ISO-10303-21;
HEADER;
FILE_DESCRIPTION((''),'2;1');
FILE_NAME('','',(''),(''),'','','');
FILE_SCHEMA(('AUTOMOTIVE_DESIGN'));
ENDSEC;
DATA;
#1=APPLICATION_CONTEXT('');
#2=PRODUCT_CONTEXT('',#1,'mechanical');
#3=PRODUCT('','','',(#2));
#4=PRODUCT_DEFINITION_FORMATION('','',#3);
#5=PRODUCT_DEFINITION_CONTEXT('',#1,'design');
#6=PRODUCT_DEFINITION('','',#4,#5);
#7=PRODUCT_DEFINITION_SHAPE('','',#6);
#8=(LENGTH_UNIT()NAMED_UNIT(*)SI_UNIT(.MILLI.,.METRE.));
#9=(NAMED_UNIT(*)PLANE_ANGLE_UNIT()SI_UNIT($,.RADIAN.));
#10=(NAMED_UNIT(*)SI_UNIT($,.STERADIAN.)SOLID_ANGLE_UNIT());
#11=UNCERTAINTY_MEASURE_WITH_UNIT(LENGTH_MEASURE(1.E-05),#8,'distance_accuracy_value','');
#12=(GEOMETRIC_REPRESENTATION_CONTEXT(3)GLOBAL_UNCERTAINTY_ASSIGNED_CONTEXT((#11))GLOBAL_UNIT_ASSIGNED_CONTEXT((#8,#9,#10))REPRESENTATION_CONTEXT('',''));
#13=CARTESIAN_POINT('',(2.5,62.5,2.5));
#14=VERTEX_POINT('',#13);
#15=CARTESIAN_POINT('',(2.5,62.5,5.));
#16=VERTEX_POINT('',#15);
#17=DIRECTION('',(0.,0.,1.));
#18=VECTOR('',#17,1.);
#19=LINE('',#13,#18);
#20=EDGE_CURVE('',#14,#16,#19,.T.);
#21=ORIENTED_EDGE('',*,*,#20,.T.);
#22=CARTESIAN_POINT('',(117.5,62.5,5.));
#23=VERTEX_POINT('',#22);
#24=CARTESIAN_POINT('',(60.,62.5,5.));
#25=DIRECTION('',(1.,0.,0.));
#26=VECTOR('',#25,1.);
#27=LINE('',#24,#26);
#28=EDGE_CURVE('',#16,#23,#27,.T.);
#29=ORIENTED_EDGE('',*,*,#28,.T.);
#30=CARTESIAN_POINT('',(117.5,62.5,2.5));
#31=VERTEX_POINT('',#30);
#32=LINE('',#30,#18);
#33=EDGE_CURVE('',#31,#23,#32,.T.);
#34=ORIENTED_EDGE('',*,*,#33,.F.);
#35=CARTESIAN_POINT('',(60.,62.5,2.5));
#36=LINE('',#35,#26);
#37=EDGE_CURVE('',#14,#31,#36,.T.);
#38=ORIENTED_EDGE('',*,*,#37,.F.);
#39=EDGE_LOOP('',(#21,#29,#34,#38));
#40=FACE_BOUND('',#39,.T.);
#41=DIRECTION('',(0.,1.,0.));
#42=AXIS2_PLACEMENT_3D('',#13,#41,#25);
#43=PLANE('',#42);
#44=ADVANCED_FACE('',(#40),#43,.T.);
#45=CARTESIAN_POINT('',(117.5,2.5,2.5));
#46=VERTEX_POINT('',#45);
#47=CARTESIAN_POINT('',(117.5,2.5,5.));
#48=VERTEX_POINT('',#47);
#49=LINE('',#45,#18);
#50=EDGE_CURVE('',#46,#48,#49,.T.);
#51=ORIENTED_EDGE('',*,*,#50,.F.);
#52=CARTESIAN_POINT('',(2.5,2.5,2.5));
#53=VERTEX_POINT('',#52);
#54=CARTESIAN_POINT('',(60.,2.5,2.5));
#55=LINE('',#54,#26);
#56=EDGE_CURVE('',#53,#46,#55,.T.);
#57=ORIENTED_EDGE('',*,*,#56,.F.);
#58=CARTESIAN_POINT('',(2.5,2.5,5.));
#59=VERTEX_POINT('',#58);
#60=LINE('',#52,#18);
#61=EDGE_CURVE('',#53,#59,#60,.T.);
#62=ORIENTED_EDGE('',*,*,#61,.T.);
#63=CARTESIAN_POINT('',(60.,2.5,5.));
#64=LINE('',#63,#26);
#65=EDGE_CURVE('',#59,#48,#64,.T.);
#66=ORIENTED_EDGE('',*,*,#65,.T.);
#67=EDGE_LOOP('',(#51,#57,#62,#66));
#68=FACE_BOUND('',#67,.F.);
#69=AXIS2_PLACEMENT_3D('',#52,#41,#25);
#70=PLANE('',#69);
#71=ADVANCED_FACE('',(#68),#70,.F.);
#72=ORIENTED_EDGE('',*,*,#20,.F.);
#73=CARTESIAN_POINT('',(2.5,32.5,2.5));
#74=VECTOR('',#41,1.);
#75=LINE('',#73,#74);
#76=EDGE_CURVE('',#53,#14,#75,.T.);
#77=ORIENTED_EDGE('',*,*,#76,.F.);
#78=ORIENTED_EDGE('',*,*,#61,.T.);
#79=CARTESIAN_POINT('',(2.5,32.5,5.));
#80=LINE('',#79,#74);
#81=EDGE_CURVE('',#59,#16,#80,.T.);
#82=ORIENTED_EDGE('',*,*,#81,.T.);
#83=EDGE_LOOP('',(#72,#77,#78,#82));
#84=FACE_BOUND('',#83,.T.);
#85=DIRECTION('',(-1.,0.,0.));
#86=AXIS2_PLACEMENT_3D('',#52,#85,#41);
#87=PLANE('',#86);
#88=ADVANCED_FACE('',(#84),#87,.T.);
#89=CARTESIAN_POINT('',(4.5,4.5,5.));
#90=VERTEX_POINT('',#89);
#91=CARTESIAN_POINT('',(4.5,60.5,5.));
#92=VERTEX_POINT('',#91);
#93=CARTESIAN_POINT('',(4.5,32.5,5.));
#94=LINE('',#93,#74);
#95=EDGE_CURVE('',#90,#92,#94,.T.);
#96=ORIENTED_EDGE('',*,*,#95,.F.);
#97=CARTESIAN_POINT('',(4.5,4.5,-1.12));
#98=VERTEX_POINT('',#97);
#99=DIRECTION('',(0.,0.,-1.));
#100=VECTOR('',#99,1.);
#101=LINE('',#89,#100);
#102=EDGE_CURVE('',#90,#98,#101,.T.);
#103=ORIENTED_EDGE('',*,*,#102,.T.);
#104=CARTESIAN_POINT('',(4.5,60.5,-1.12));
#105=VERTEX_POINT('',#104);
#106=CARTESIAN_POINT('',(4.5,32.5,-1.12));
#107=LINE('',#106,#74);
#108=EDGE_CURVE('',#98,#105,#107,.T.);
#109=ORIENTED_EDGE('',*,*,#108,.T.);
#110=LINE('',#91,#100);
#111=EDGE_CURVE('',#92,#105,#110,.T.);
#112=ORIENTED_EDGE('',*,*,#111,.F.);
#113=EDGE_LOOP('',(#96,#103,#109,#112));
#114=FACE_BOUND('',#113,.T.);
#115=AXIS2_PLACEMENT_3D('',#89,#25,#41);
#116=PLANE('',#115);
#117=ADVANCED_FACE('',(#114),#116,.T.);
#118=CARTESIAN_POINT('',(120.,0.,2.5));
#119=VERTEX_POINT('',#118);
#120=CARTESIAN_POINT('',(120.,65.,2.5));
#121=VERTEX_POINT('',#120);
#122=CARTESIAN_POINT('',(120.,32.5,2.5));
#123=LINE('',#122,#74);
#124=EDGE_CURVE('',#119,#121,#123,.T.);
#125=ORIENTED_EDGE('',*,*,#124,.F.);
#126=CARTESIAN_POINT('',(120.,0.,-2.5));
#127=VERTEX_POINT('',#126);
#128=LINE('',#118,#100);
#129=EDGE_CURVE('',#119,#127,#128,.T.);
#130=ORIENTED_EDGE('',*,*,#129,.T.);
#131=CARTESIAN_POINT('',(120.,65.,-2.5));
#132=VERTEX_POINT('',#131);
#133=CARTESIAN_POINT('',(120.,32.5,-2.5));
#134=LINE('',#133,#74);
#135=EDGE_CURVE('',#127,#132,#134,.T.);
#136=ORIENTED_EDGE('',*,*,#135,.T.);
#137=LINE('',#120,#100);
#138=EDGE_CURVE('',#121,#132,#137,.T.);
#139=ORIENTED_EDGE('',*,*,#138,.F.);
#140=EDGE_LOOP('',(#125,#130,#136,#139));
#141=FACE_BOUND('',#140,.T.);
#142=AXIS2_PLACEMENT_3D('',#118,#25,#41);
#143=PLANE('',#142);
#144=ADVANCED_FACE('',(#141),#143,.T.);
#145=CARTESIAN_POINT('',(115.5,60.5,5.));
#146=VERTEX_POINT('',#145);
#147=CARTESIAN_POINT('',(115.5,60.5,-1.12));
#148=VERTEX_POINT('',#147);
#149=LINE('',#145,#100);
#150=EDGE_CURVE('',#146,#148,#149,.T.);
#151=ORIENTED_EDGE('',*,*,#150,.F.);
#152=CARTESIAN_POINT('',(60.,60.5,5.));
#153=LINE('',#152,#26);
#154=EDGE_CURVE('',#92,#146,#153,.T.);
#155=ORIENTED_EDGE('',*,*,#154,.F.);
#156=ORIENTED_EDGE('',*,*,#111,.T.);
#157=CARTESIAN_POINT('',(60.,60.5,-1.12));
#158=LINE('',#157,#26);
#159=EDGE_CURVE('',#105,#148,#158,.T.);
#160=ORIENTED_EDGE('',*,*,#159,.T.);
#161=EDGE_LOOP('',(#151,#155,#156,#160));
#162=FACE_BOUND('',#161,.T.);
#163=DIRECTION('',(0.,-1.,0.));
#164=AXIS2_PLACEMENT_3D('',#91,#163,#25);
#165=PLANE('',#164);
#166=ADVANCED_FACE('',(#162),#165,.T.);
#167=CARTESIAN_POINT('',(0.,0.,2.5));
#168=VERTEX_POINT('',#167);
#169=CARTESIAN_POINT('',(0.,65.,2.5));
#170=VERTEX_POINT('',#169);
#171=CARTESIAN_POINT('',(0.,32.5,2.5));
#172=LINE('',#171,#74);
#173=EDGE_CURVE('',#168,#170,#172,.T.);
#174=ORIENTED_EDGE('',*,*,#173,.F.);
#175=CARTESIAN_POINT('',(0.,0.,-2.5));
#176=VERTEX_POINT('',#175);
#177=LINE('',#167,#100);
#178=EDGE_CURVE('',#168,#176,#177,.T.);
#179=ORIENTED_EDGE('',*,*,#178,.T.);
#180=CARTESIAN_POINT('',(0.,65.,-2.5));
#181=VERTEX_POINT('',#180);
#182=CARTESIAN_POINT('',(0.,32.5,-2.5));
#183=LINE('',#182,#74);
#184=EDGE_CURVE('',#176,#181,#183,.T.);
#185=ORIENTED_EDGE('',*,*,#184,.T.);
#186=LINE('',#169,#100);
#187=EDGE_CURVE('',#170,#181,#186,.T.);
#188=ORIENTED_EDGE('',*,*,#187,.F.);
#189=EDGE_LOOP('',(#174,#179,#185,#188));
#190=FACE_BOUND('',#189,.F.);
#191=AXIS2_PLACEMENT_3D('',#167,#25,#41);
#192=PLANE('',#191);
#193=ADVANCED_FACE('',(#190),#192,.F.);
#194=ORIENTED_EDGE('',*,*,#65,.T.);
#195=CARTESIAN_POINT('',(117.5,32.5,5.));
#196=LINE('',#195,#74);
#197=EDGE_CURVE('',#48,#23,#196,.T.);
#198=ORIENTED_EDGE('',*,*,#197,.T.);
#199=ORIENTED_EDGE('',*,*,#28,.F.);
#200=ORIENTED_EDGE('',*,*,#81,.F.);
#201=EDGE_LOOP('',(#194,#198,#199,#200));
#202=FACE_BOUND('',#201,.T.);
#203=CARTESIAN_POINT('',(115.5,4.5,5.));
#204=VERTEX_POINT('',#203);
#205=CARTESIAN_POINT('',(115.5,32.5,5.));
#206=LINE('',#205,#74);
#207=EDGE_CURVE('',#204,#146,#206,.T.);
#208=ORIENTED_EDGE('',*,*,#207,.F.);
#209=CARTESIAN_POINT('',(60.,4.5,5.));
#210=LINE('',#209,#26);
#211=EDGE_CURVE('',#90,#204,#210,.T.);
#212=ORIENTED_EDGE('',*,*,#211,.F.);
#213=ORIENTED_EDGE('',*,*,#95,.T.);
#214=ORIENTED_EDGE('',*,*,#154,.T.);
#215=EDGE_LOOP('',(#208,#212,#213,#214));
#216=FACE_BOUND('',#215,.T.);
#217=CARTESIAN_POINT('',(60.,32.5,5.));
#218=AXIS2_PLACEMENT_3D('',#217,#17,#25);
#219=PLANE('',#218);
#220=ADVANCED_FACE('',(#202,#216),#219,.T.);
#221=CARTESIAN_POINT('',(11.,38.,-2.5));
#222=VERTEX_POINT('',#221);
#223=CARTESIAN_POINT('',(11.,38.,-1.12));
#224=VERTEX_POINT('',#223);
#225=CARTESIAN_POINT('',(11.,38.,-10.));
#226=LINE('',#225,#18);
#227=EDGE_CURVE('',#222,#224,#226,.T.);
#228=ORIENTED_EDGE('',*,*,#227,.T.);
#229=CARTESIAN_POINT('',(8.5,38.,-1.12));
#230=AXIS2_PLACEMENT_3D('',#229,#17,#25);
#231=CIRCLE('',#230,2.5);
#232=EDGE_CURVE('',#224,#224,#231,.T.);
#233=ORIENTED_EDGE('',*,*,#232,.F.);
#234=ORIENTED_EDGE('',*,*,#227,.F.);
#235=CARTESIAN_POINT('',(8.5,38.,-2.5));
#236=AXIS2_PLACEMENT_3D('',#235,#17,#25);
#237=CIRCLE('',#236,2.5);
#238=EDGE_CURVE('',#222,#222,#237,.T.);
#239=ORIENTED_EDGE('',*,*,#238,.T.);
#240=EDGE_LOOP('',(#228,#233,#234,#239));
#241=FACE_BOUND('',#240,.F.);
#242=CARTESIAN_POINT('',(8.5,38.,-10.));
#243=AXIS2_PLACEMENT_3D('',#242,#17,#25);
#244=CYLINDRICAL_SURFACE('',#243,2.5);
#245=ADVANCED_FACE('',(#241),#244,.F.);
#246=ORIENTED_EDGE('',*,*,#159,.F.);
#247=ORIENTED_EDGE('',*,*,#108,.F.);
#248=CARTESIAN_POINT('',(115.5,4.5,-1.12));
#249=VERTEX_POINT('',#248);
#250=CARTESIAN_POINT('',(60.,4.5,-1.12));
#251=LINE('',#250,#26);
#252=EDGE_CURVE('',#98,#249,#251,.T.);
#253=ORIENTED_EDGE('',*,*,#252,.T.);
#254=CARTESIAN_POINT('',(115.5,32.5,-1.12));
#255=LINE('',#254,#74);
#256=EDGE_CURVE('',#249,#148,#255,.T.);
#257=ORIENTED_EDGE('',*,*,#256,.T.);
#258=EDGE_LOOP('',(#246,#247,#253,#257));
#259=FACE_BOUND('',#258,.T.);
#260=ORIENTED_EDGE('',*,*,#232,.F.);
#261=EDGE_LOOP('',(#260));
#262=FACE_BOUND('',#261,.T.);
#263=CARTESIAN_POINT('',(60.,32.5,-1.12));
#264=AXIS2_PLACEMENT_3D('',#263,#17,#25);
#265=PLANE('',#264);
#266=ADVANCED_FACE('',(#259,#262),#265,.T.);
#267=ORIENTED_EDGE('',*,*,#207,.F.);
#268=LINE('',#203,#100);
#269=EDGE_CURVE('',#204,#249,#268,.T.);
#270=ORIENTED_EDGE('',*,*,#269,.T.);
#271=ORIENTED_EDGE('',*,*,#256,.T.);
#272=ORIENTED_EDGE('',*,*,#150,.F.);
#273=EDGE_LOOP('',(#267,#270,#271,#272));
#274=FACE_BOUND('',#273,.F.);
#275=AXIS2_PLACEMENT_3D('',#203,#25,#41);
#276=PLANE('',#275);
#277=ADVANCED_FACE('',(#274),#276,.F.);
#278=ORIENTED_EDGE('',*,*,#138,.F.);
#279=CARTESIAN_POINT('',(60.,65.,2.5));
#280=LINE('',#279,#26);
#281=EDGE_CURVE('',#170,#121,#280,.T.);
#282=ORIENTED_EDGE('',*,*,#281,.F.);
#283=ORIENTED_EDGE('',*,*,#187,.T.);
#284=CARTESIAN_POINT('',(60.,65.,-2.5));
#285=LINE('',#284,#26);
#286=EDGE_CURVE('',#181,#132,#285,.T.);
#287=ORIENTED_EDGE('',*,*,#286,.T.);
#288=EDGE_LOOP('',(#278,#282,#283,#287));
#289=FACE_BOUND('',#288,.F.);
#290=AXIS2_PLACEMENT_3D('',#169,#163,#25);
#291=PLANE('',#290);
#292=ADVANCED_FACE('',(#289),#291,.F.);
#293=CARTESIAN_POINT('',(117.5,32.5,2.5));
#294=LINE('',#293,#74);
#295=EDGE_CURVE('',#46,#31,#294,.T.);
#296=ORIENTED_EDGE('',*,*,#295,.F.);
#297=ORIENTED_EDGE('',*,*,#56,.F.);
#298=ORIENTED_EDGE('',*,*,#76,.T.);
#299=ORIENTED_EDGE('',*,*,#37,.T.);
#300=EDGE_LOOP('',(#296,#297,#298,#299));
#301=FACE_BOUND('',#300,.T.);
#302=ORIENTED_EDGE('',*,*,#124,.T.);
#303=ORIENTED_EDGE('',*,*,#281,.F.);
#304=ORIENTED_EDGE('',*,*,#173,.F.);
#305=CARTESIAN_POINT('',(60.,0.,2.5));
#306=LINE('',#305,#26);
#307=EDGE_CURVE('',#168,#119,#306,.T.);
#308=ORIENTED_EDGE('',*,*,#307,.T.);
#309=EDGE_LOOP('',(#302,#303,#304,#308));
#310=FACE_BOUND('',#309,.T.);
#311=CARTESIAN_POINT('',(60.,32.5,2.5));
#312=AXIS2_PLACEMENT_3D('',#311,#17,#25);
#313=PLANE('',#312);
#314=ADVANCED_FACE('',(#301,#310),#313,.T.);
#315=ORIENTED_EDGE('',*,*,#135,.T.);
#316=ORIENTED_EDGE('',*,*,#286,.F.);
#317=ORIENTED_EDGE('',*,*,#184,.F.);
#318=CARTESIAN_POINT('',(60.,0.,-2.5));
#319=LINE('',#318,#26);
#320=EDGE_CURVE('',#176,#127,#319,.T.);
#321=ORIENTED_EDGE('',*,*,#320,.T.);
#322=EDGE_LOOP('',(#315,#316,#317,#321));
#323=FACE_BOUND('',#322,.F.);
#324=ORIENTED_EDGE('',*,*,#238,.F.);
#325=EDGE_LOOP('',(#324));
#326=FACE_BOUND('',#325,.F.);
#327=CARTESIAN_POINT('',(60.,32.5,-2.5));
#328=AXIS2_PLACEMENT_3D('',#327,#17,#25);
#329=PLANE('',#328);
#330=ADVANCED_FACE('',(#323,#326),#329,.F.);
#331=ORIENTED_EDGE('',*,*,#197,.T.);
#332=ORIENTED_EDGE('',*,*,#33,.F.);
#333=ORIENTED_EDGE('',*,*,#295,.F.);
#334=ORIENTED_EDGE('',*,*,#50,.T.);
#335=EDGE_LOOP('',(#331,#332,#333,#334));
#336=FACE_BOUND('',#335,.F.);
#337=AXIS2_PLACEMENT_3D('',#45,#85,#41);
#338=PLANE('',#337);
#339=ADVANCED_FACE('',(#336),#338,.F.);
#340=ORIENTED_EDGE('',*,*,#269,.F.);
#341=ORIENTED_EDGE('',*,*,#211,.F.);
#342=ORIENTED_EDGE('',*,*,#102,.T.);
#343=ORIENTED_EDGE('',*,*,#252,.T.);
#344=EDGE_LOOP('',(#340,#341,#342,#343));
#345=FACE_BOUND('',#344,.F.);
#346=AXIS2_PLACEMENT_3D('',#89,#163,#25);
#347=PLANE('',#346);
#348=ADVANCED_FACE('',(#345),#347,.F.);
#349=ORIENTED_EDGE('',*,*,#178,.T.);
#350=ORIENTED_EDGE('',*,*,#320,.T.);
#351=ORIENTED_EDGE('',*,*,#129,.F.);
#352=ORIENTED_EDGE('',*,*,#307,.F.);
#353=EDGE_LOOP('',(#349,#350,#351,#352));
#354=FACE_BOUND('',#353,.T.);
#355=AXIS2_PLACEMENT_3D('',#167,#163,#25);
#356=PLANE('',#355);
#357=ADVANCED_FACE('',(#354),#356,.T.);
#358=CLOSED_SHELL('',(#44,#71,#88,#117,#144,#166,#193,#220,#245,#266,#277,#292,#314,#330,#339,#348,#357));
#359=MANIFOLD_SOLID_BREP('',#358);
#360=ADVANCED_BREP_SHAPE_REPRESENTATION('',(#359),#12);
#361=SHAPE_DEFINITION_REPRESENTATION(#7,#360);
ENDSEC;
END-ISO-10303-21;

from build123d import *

# Parameters (mm, degrees)
SKETCH1_W                    = 120
SKETCH1_H                    = 65
BOSS_EXTRUDE1_DEPTH          = 5
SKETCH2_W                    = 115
SKETCH2_H                    = 60
BOSS_EXTRUDE2_DEPTH          = 2.5
F_5_0_5_DIAMETER_HOLE1_D     = 5
F_5_0_5_DIAMETER_HOLE1_DEPTH = 7.5
SKETCH5_W                    = 111
SKETCH5_H                    = 56
CUT_EXTRUDE3_DEPTH           = 6.12


with BuildPart() as part:
    # Sketch1 → Boss-Extrude1 (new body)
    with BuildSketch(Plane.XY.offset(2.5)):
        with Locations((60, 32.5)):
            Rectangle(SKETCH1_W, SKETCH1_H)
    extrude(amount=-BOSS_EXTRUDE1_DEPTH)

    # Sketch2 → Boss-Extrude2 (add)
    with BuildSketch(Plane.XY.offset(2.5)):
        with Locations((60, 32.5)):
            Rectangle(SKETCH2_W, SKETCH2_H)
    extrude(amount=BOSS_EXTRUDE2_DEPTH)

    # Ø5.0 (5) Diameter Hole1
    with Locations(Plane(origin=(0, 0, -2.5), x_dir=(-1, 0, 0), z_dir=(0, 0, -1))):
        with Locations((-8.5, 38)):
            Hole(F_5_0_5_DIAMETER_HOLE1_D / 2, depth=F_5_0_5_DIAMETER_HOLE1_DEPTH)

    # Sketch5 → Cut-Extrude3 (cut)
    with BuildSketch(Plane.XY.offset(5)):
        with Locations((60, 32.5)):
            Rectangle(SKETCH5_W, SKETCH5_H)
    extrude(amount=-CUT_EXTRUDE3_DEPTH, mode=Mode.SUBTRACT)


solid = part.part
